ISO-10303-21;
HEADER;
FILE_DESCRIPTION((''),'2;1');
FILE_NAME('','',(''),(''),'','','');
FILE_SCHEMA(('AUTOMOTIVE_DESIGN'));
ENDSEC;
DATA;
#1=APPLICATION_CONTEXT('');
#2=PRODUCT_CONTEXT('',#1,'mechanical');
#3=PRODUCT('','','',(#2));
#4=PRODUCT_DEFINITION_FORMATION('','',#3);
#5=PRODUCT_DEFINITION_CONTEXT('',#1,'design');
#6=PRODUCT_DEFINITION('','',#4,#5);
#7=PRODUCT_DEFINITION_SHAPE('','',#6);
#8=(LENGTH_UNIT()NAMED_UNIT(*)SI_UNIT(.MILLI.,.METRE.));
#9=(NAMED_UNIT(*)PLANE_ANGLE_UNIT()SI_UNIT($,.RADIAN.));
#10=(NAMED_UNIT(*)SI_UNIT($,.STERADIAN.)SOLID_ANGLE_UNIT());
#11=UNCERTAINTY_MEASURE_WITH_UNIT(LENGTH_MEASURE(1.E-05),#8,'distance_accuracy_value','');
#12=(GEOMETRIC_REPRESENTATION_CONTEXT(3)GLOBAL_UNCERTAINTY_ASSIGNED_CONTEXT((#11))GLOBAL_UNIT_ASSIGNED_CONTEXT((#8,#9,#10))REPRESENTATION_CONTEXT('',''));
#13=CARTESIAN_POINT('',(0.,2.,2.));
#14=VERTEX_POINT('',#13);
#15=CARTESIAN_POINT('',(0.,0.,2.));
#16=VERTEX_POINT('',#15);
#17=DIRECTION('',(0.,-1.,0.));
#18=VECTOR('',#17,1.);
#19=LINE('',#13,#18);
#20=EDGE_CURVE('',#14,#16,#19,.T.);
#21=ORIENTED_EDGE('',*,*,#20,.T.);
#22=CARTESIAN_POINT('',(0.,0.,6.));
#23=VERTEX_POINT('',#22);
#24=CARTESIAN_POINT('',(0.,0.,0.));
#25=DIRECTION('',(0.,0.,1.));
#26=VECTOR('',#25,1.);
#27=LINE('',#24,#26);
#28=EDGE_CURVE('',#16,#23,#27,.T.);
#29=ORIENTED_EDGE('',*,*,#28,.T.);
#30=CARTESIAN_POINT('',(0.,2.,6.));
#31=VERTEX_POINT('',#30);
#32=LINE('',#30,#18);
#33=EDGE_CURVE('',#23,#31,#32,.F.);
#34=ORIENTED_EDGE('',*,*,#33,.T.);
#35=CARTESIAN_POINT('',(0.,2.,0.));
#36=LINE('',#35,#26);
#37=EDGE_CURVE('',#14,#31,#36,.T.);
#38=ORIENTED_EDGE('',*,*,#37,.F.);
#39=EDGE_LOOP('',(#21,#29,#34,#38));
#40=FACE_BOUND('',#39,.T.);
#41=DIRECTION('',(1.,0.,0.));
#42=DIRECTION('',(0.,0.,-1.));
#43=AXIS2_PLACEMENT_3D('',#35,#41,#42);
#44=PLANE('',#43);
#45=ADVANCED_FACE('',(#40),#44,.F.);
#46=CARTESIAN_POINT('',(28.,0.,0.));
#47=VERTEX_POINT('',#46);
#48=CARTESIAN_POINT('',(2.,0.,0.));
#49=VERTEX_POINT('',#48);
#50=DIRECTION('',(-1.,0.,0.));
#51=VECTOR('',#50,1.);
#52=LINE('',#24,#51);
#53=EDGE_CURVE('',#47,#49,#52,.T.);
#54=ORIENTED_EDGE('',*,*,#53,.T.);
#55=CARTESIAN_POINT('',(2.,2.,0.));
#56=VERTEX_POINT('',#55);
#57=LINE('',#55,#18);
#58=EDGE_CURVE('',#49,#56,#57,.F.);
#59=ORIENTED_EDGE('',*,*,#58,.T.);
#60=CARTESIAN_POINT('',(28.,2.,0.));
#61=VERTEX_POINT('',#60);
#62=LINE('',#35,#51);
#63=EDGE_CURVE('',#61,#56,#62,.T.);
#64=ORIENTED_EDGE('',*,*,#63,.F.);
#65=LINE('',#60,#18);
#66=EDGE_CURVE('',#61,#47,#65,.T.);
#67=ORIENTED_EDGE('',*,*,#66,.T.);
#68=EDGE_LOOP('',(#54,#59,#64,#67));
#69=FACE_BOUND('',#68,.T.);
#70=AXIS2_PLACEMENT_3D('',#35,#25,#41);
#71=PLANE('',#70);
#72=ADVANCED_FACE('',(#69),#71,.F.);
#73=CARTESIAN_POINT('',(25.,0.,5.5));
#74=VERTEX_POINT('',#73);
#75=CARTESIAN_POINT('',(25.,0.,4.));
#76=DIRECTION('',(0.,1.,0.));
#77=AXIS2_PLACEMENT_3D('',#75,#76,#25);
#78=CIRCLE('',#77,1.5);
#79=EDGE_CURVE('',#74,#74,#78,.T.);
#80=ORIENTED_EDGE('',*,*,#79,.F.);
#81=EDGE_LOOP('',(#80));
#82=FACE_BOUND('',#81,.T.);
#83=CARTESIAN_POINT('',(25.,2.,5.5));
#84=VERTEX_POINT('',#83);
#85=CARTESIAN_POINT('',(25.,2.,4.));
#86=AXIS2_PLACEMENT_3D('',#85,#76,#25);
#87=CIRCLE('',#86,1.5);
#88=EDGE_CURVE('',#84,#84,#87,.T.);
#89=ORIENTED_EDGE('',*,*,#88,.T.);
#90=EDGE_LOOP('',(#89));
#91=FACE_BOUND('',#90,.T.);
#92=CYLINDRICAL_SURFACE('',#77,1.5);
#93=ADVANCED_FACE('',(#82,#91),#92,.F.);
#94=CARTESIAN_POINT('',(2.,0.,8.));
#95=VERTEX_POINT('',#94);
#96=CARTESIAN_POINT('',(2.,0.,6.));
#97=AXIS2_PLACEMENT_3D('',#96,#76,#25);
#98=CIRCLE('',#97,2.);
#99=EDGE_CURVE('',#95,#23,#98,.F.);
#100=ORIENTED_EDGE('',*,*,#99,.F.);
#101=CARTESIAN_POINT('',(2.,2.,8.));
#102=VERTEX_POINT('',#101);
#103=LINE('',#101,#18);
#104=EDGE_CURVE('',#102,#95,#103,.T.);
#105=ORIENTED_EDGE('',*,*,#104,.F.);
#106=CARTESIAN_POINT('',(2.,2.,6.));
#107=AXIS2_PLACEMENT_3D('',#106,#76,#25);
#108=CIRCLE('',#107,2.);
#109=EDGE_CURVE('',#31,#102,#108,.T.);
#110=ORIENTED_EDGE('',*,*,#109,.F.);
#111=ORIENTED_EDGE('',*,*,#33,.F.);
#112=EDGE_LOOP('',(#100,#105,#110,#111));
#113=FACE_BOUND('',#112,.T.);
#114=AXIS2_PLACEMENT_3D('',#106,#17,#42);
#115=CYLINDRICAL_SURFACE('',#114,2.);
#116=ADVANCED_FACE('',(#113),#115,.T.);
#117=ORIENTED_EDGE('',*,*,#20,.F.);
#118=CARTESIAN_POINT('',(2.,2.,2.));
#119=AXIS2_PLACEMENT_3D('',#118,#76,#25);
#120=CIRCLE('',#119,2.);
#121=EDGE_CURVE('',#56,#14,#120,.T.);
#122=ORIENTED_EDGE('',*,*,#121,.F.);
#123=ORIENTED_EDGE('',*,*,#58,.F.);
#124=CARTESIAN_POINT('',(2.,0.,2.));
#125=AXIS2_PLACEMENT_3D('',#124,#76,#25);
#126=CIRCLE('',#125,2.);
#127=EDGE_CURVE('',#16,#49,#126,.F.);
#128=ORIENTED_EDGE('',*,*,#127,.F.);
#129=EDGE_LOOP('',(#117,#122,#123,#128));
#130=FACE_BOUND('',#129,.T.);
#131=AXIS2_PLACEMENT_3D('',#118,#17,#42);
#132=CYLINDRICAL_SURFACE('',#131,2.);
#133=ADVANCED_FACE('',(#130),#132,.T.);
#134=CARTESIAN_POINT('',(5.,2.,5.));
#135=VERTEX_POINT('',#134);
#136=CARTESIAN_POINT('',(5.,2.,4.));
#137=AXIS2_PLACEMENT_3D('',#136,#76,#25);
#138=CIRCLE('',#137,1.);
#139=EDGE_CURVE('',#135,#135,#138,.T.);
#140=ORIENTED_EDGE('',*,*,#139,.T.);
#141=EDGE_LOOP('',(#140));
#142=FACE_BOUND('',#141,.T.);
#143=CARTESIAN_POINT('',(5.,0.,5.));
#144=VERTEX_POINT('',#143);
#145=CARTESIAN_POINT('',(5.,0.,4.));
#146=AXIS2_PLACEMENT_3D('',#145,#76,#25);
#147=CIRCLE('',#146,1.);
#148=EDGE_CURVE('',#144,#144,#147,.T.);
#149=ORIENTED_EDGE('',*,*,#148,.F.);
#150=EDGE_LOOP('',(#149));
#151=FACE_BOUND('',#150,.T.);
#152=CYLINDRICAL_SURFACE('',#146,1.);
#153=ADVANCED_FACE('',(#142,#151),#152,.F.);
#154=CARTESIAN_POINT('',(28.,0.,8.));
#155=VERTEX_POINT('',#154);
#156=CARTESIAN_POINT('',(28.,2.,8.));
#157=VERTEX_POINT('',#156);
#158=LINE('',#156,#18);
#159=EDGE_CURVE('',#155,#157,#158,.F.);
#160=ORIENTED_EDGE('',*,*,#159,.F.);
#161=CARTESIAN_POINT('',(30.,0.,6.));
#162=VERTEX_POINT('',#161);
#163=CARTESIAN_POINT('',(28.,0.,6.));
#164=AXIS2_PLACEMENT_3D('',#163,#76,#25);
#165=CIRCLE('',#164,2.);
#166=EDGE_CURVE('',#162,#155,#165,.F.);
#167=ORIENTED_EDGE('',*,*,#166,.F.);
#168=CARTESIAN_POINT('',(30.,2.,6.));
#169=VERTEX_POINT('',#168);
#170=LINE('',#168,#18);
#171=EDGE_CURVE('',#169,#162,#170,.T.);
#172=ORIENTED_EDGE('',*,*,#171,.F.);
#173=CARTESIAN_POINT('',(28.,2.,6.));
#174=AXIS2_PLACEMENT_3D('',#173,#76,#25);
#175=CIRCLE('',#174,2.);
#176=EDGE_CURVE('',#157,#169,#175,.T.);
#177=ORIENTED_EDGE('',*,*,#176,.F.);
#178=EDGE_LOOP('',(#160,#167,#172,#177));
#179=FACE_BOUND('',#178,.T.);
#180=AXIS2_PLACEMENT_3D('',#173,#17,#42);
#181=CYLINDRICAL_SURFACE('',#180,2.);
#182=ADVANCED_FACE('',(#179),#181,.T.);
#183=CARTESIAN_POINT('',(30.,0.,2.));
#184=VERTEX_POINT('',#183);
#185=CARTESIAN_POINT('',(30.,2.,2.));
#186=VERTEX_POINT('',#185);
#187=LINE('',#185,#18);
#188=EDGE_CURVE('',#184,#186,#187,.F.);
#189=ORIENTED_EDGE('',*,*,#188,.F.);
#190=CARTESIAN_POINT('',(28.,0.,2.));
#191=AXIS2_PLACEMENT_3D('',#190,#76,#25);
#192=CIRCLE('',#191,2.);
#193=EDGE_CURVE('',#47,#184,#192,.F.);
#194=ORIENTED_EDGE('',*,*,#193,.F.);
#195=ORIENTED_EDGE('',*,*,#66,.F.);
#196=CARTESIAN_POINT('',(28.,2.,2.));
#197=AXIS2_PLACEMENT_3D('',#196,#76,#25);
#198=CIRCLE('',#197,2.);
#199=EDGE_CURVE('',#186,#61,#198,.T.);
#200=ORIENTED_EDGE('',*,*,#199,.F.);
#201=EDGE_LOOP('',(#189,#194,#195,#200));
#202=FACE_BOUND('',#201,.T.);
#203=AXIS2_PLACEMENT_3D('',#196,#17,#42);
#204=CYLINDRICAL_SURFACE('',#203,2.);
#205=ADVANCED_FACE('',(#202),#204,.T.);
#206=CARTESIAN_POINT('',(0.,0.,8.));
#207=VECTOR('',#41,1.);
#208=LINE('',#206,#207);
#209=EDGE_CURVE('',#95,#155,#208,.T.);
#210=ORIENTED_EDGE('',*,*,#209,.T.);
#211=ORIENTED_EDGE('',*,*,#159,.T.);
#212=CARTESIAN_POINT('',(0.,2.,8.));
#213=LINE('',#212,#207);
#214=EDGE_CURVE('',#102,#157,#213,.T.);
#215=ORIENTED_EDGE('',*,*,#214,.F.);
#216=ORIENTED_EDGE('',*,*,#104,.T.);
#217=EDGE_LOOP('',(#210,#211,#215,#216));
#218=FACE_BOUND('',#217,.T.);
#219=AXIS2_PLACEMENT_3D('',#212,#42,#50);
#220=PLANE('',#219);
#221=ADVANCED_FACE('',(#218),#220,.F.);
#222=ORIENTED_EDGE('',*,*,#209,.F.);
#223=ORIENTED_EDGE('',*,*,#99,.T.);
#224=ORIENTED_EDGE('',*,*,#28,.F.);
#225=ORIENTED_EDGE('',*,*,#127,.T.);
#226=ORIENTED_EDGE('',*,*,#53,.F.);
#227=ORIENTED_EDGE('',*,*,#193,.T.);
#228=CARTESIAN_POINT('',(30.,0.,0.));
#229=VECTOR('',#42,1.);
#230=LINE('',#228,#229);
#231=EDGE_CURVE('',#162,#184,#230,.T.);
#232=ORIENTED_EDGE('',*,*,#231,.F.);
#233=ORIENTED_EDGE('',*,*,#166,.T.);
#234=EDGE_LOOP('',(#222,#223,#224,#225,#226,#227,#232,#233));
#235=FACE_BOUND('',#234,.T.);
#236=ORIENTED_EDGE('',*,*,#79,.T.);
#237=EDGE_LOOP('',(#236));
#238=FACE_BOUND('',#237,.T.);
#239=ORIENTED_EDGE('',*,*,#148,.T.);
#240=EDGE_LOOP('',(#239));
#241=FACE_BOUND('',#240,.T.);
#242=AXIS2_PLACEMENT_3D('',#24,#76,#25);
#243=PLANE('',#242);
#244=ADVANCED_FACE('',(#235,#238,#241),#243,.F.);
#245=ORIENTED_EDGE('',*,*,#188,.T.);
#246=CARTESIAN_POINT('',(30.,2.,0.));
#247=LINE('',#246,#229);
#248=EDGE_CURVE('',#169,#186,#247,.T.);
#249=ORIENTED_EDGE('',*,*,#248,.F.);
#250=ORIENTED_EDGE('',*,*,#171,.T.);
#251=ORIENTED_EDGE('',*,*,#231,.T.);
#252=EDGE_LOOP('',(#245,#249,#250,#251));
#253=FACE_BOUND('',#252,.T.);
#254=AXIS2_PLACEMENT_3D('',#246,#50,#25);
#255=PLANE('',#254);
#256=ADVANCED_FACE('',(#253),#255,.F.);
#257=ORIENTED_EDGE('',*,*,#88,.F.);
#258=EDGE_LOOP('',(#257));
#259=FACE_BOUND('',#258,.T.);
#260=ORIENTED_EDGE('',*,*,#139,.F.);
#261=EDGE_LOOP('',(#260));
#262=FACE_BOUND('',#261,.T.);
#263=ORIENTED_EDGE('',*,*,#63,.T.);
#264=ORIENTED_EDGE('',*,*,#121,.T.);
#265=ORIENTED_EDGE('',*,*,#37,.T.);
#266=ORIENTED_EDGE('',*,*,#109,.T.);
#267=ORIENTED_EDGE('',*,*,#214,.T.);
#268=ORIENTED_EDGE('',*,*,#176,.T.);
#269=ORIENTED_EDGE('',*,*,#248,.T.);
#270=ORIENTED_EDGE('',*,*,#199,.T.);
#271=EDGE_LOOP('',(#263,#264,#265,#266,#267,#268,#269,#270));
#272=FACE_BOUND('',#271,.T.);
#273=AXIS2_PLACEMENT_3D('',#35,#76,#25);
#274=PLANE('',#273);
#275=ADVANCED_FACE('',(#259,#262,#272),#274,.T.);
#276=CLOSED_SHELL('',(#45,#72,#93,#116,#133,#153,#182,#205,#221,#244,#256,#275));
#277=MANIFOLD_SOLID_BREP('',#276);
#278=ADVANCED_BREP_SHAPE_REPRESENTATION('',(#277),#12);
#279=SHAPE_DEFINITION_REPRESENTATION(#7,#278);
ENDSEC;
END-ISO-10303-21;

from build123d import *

# Parameters (mm, degrees)
SKETCH1_W           = 30
SKETCH1_H           = 8
BOSS_EXTRUDE1_DEPTH = 2
SKETCH2_R           = 1.5
CUT_EXTRUDE1_DEPTH  = 32.112698372
SKETCH3_R           = 1
CUT_EXTRUDE2_DEPTH  = 32.112698372
FILLET1_R           = 2


with BuildPart() as part:
    # Sketch1 → Boss-Extrude1 (new body)
    with BuildSketch(Plane(origin=(0, 0, 0), x_dir=(1, 0, 0), z_dir=(0, 1, 0))):
        with Locations((15, -4)):
            Rectangle(SKETCH1_W, SKETCH1_H)
    extrude(amount=BOSS_EXTRUDE1_DEPTH)

    # Sketch2 → Cut-Extrude1 (cut, through all)
    with BuildSketch(Plane(origin=(0, 2, 0), x_dir=(1, 0, 0), z_dir=(0, 1, 0))):
        with Locations(Location((25, -4, 0), (0, 0, 270))):
            Circle(SKETCH2_R)
    extrude(amount=-CUT_EXTRUDE1_DEPTH, mode=Mode.SUBTRACT)

    # Sketch3 → Cut-Extrude2 (cut, through all)
    with BuildSketch(Plane(origin=(0, 2, 0), x_dir=(1, 0, 0), z_dir=(0, 1, 0))):
        with Locations(Location((5, -4, 0), (0, 0, 270))):
            Circle(SKETCH3_R)
    extrude(amount=-CUT_EXTRUDE2_DEPTH, mode=Mode.SUBTRACT)

    # Fillet1
    fillet1_edges = [part.edges().sort_by_distance(p)[0] for p in [
        (0, 1, 0),
        (30, 1, 0),
        (30, 1, 8),
        (0, 1, 8),
    ]]
    fillet(fillet1_edges, radius=FILLET1_R)


solid = part.part
